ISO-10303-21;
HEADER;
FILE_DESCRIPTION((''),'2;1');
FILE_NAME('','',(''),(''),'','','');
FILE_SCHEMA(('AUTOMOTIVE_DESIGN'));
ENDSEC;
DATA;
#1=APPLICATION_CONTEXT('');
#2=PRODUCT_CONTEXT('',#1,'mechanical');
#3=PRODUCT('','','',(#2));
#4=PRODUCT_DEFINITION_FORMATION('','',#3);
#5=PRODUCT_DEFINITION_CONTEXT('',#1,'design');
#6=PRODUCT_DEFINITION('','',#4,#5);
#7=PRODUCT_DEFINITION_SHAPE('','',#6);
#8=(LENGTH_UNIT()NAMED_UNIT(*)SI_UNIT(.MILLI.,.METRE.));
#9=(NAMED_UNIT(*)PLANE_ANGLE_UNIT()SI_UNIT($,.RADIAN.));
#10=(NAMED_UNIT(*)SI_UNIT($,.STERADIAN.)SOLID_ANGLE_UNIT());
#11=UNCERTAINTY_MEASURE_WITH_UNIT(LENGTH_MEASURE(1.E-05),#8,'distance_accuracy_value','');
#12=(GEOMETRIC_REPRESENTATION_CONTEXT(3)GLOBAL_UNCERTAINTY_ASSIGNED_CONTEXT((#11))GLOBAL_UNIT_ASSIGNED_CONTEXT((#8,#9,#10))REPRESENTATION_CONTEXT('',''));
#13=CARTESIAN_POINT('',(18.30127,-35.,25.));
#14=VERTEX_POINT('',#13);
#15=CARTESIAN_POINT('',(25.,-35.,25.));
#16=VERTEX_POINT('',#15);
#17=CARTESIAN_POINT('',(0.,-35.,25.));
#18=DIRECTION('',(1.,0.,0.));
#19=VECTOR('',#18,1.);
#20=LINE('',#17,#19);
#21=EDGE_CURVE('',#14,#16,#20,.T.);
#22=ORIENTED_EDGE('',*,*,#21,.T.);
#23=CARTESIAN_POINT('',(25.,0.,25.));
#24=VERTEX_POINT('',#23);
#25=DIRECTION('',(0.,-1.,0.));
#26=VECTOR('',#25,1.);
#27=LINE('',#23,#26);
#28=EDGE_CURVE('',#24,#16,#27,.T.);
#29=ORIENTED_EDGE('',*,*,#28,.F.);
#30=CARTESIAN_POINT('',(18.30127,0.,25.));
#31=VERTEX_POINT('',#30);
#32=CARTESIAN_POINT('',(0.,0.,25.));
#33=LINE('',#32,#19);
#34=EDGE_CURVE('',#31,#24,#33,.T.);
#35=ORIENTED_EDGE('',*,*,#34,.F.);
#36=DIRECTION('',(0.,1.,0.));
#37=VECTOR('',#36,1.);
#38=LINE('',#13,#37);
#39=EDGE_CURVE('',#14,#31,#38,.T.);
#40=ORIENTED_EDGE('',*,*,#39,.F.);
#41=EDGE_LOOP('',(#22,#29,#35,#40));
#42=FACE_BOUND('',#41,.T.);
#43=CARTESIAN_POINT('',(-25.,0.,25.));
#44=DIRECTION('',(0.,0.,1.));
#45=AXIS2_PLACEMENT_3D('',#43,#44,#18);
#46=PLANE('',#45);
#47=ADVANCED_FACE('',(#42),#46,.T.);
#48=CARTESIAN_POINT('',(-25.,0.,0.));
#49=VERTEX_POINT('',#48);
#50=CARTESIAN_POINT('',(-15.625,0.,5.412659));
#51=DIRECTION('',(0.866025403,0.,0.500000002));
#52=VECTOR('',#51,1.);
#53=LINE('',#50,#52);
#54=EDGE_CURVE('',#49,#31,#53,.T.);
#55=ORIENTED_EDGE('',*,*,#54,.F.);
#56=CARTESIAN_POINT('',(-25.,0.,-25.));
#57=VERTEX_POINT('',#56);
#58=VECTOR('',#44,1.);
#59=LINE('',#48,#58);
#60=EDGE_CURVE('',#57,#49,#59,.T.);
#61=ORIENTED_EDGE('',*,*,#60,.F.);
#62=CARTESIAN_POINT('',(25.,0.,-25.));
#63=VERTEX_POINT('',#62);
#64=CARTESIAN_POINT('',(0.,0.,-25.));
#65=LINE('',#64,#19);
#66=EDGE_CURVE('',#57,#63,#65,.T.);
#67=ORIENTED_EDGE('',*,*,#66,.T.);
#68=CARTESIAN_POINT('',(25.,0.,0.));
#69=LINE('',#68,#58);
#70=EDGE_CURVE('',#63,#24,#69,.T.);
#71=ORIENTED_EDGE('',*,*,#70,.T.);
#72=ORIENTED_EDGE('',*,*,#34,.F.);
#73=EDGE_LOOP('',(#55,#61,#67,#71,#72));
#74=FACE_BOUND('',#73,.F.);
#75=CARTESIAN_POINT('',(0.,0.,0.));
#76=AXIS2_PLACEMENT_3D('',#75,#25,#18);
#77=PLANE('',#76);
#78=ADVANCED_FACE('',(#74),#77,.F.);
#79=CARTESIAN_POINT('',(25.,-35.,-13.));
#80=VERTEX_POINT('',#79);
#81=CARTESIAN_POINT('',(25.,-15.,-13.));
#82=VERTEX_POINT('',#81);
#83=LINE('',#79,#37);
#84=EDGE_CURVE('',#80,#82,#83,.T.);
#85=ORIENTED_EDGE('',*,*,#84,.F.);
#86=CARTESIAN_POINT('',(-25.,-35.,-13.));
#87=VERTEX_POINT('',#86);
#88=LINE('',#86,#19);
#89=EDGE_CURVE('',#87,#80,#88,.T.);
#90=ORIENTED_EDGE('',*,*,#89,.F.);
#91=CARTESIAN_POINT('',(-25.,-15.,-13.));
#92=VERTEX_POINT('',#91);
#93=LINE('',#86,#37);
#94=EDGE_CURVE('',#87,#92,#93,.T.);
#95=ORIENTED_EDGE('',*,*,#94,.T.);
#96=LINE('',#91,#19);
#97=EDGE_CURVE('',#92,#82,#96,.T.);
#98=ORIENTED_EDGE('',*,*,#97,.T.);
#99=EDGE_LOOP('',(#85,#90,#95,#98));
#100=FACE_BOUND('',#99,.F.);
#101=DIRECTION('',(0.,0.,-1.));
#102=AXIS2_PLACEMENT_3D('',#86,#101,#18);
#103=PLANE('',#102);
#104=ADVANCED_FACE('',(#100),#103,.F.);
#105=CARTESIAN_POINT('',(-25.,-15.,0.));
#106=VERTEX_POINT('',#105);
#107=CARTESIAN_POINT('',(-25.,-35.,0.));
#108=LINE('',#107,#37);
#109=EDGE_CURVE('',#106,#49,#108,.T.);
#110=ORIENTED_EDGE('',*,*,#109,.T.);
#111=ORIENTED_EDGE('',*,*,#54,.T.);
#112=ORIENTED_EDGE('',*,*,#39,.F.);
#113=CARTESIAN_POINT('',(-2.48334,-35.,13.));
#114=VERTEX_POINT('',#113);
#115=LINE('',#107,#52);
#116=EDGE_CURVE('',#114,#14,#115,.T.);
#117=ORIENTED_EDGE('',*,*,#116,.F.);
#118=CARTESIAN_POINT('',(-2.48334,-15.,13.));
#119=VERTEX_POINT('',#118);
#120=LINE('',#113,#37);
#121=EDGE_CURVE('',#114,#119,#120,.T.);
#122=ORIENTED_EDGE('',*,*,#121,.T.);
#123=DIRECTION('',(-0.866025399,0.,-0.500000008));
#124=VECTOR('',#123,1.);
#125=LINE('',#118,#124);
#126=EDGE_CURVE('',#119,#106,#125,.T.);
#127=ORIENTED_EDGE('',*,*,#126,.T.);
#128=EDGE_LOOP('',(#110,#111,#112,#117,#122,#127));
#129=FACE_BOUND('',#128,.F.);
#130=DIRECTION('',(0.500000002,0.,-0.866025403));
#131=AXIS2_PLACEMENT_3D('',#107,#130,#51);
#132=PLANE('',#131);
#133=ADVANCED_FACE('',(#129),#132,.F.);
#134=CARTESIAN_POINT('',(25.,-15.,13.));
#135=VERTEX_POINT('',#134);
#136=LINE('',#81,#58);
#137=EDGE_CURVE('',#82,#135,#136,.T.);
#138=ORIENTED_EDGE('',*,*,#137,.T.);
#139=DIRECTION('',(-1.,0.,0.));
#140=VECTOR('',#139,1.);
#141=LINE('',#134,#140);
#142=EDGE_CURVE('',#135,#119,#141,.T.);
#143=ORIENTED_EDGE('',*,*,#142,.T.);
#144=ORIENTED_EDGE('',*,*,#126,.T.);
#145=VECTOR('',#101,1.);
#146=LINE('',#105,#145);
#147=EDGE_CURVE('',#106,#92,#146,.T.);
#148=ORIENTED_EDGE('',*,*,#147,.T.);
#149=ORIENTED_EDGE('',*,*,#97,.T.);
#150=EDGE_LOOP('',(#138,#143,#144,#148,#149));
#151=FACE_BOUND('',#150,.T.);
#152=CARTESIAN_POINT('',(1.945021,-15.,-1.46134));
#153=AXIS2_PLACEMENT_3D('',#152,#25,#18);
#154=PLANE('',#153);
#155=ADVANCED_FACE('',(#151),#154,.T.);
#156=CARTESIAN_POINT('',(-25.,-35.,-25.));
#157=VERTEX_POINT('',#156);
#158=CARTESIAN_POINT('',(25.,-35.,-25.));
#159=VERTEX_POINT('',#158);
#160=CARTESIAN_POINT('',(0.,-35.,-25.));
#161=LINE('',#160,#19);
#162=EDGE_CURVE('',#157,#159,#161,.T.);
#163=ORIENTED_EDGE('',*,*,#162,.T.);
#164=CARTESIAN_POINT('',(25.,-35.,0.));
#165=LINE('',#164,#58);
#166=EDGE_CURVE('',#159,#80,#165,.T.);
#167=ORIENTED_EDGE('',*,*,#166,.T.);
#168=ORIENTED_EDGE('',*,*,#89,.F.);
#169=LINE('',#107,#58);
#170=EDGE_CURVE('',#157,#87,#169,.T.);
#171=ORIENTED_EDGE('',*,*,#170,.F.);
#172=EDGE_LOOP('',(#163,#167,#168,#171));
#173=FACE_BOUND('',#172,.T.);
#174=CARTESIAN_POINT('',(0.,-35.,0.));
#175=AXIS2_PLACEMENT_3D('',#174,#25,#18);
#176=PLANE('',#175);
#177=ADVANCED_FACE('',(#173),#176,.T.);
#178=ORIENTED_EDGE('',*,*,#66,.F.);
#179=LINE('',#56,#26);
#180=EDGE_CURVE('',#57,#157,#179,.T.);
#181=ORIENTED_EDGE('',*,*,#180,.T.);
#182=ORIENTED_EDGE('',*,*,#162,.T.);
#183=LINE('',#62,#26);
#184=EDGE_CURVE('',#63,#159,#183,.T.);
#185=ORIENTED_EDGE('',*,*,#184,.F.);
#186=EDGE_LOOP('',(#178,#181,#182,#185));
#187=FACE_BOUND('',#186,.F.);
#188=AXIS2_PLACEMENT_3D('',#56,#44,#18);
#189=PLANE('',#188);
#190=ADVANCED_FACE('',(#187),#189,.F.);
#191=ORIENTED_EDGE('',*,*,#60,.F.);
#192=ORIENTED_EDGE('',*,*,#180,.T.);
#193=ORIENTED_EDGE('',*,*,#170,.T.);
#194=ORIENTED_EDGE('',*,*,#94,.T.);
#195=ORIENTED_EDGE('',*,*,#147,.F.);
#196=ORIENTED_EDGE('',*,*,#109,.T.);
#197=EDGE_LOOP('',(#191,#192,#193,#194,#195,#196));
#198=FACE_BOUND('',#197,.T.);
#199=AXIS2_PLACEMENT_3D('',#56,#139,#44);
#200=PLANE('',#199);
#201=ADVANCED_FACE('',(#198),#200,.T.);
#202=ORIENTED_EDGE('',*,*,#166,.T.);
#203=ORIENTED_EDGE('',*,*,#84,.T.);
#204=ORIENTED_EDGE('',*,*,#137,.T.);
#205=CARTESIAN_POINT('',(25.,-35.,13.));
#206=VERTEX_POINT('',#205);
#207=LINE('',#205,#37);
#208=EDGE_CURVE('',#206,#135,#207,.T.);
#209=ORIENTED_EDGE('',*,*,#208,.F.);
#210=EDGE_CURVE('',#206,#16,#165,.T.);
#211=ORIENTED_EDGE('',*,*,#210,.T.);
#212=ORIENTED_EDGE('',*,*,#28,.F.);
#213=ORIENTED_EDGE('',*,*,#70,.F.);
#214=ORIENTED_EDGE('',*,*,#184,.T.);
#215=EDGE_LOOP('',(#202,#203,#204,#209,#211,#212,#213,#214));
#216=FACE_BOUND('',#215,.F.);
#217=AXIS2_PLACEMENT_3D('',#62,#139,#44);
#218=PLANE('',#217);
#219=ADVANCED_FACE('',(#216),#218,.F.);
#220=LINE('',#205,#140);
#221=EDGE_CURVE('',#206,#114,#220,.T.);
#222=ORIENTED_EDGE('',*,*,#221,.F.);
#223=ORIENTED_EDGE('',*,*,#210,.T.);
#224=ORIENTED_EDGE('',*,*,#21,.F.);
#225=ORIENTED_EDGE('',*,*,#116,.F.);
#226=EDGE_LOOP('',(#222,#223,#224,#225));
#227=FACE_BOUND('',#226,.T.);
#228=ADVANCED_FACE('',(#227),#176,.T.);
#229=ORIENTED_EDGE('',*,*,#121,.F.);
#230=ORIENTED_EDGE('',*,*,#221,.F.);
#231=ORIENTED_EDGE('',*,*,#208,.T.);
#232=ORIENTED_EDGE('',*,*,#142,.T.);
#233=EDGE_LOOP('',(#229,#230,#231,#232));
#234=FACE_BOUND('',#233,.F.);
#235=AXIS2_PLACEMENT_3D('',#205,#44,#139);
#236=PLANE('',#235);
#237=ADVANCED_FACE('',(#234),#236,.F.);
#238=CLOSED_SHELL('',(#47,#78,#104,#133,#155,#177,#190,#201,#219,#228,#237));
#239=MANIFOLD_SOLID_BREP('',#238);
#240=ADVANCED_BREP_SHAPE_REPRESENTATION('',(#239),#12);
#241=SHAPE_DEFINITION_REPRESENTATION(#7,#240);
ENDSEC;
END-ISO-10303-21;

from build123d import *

# Parameters (mm, degrees)
F0_W     = 50
F0_H     = 50
F1_DEPTH = 35
F3_DEPTH = 35.001
F5_DEPTH = 20


with BuildPart() as f1:
    # F0 (on Front) → F1 (new body)
    with BuildSketch(Plane.XZ):
        Rectangle(F0_W, F0_H)
    extrude(amount=F1_DEPTH)

    # F2 (on face) → F3 (cut, through all)
    with BuildSketch(Plane.XZ.offset(35)):
        Polygon((-25, 0), (18.30127, 25), (-25, 25), align=None)
    extrude(amount=-F3_DEPTH, mode=Mode.SUBTRACT)

    # F4 (on face) → F5 (cut)
    with BuildSketch(Plane.XZ.offset(35)):
        Polygon((-25, 0), (-25, -13), (25, -13), (25, 13), (-2.48334, 13), align=None)
    extrude(amount=-F5_DEPTH, mode=Mode.SUBTRACT)


solid = f1.part
